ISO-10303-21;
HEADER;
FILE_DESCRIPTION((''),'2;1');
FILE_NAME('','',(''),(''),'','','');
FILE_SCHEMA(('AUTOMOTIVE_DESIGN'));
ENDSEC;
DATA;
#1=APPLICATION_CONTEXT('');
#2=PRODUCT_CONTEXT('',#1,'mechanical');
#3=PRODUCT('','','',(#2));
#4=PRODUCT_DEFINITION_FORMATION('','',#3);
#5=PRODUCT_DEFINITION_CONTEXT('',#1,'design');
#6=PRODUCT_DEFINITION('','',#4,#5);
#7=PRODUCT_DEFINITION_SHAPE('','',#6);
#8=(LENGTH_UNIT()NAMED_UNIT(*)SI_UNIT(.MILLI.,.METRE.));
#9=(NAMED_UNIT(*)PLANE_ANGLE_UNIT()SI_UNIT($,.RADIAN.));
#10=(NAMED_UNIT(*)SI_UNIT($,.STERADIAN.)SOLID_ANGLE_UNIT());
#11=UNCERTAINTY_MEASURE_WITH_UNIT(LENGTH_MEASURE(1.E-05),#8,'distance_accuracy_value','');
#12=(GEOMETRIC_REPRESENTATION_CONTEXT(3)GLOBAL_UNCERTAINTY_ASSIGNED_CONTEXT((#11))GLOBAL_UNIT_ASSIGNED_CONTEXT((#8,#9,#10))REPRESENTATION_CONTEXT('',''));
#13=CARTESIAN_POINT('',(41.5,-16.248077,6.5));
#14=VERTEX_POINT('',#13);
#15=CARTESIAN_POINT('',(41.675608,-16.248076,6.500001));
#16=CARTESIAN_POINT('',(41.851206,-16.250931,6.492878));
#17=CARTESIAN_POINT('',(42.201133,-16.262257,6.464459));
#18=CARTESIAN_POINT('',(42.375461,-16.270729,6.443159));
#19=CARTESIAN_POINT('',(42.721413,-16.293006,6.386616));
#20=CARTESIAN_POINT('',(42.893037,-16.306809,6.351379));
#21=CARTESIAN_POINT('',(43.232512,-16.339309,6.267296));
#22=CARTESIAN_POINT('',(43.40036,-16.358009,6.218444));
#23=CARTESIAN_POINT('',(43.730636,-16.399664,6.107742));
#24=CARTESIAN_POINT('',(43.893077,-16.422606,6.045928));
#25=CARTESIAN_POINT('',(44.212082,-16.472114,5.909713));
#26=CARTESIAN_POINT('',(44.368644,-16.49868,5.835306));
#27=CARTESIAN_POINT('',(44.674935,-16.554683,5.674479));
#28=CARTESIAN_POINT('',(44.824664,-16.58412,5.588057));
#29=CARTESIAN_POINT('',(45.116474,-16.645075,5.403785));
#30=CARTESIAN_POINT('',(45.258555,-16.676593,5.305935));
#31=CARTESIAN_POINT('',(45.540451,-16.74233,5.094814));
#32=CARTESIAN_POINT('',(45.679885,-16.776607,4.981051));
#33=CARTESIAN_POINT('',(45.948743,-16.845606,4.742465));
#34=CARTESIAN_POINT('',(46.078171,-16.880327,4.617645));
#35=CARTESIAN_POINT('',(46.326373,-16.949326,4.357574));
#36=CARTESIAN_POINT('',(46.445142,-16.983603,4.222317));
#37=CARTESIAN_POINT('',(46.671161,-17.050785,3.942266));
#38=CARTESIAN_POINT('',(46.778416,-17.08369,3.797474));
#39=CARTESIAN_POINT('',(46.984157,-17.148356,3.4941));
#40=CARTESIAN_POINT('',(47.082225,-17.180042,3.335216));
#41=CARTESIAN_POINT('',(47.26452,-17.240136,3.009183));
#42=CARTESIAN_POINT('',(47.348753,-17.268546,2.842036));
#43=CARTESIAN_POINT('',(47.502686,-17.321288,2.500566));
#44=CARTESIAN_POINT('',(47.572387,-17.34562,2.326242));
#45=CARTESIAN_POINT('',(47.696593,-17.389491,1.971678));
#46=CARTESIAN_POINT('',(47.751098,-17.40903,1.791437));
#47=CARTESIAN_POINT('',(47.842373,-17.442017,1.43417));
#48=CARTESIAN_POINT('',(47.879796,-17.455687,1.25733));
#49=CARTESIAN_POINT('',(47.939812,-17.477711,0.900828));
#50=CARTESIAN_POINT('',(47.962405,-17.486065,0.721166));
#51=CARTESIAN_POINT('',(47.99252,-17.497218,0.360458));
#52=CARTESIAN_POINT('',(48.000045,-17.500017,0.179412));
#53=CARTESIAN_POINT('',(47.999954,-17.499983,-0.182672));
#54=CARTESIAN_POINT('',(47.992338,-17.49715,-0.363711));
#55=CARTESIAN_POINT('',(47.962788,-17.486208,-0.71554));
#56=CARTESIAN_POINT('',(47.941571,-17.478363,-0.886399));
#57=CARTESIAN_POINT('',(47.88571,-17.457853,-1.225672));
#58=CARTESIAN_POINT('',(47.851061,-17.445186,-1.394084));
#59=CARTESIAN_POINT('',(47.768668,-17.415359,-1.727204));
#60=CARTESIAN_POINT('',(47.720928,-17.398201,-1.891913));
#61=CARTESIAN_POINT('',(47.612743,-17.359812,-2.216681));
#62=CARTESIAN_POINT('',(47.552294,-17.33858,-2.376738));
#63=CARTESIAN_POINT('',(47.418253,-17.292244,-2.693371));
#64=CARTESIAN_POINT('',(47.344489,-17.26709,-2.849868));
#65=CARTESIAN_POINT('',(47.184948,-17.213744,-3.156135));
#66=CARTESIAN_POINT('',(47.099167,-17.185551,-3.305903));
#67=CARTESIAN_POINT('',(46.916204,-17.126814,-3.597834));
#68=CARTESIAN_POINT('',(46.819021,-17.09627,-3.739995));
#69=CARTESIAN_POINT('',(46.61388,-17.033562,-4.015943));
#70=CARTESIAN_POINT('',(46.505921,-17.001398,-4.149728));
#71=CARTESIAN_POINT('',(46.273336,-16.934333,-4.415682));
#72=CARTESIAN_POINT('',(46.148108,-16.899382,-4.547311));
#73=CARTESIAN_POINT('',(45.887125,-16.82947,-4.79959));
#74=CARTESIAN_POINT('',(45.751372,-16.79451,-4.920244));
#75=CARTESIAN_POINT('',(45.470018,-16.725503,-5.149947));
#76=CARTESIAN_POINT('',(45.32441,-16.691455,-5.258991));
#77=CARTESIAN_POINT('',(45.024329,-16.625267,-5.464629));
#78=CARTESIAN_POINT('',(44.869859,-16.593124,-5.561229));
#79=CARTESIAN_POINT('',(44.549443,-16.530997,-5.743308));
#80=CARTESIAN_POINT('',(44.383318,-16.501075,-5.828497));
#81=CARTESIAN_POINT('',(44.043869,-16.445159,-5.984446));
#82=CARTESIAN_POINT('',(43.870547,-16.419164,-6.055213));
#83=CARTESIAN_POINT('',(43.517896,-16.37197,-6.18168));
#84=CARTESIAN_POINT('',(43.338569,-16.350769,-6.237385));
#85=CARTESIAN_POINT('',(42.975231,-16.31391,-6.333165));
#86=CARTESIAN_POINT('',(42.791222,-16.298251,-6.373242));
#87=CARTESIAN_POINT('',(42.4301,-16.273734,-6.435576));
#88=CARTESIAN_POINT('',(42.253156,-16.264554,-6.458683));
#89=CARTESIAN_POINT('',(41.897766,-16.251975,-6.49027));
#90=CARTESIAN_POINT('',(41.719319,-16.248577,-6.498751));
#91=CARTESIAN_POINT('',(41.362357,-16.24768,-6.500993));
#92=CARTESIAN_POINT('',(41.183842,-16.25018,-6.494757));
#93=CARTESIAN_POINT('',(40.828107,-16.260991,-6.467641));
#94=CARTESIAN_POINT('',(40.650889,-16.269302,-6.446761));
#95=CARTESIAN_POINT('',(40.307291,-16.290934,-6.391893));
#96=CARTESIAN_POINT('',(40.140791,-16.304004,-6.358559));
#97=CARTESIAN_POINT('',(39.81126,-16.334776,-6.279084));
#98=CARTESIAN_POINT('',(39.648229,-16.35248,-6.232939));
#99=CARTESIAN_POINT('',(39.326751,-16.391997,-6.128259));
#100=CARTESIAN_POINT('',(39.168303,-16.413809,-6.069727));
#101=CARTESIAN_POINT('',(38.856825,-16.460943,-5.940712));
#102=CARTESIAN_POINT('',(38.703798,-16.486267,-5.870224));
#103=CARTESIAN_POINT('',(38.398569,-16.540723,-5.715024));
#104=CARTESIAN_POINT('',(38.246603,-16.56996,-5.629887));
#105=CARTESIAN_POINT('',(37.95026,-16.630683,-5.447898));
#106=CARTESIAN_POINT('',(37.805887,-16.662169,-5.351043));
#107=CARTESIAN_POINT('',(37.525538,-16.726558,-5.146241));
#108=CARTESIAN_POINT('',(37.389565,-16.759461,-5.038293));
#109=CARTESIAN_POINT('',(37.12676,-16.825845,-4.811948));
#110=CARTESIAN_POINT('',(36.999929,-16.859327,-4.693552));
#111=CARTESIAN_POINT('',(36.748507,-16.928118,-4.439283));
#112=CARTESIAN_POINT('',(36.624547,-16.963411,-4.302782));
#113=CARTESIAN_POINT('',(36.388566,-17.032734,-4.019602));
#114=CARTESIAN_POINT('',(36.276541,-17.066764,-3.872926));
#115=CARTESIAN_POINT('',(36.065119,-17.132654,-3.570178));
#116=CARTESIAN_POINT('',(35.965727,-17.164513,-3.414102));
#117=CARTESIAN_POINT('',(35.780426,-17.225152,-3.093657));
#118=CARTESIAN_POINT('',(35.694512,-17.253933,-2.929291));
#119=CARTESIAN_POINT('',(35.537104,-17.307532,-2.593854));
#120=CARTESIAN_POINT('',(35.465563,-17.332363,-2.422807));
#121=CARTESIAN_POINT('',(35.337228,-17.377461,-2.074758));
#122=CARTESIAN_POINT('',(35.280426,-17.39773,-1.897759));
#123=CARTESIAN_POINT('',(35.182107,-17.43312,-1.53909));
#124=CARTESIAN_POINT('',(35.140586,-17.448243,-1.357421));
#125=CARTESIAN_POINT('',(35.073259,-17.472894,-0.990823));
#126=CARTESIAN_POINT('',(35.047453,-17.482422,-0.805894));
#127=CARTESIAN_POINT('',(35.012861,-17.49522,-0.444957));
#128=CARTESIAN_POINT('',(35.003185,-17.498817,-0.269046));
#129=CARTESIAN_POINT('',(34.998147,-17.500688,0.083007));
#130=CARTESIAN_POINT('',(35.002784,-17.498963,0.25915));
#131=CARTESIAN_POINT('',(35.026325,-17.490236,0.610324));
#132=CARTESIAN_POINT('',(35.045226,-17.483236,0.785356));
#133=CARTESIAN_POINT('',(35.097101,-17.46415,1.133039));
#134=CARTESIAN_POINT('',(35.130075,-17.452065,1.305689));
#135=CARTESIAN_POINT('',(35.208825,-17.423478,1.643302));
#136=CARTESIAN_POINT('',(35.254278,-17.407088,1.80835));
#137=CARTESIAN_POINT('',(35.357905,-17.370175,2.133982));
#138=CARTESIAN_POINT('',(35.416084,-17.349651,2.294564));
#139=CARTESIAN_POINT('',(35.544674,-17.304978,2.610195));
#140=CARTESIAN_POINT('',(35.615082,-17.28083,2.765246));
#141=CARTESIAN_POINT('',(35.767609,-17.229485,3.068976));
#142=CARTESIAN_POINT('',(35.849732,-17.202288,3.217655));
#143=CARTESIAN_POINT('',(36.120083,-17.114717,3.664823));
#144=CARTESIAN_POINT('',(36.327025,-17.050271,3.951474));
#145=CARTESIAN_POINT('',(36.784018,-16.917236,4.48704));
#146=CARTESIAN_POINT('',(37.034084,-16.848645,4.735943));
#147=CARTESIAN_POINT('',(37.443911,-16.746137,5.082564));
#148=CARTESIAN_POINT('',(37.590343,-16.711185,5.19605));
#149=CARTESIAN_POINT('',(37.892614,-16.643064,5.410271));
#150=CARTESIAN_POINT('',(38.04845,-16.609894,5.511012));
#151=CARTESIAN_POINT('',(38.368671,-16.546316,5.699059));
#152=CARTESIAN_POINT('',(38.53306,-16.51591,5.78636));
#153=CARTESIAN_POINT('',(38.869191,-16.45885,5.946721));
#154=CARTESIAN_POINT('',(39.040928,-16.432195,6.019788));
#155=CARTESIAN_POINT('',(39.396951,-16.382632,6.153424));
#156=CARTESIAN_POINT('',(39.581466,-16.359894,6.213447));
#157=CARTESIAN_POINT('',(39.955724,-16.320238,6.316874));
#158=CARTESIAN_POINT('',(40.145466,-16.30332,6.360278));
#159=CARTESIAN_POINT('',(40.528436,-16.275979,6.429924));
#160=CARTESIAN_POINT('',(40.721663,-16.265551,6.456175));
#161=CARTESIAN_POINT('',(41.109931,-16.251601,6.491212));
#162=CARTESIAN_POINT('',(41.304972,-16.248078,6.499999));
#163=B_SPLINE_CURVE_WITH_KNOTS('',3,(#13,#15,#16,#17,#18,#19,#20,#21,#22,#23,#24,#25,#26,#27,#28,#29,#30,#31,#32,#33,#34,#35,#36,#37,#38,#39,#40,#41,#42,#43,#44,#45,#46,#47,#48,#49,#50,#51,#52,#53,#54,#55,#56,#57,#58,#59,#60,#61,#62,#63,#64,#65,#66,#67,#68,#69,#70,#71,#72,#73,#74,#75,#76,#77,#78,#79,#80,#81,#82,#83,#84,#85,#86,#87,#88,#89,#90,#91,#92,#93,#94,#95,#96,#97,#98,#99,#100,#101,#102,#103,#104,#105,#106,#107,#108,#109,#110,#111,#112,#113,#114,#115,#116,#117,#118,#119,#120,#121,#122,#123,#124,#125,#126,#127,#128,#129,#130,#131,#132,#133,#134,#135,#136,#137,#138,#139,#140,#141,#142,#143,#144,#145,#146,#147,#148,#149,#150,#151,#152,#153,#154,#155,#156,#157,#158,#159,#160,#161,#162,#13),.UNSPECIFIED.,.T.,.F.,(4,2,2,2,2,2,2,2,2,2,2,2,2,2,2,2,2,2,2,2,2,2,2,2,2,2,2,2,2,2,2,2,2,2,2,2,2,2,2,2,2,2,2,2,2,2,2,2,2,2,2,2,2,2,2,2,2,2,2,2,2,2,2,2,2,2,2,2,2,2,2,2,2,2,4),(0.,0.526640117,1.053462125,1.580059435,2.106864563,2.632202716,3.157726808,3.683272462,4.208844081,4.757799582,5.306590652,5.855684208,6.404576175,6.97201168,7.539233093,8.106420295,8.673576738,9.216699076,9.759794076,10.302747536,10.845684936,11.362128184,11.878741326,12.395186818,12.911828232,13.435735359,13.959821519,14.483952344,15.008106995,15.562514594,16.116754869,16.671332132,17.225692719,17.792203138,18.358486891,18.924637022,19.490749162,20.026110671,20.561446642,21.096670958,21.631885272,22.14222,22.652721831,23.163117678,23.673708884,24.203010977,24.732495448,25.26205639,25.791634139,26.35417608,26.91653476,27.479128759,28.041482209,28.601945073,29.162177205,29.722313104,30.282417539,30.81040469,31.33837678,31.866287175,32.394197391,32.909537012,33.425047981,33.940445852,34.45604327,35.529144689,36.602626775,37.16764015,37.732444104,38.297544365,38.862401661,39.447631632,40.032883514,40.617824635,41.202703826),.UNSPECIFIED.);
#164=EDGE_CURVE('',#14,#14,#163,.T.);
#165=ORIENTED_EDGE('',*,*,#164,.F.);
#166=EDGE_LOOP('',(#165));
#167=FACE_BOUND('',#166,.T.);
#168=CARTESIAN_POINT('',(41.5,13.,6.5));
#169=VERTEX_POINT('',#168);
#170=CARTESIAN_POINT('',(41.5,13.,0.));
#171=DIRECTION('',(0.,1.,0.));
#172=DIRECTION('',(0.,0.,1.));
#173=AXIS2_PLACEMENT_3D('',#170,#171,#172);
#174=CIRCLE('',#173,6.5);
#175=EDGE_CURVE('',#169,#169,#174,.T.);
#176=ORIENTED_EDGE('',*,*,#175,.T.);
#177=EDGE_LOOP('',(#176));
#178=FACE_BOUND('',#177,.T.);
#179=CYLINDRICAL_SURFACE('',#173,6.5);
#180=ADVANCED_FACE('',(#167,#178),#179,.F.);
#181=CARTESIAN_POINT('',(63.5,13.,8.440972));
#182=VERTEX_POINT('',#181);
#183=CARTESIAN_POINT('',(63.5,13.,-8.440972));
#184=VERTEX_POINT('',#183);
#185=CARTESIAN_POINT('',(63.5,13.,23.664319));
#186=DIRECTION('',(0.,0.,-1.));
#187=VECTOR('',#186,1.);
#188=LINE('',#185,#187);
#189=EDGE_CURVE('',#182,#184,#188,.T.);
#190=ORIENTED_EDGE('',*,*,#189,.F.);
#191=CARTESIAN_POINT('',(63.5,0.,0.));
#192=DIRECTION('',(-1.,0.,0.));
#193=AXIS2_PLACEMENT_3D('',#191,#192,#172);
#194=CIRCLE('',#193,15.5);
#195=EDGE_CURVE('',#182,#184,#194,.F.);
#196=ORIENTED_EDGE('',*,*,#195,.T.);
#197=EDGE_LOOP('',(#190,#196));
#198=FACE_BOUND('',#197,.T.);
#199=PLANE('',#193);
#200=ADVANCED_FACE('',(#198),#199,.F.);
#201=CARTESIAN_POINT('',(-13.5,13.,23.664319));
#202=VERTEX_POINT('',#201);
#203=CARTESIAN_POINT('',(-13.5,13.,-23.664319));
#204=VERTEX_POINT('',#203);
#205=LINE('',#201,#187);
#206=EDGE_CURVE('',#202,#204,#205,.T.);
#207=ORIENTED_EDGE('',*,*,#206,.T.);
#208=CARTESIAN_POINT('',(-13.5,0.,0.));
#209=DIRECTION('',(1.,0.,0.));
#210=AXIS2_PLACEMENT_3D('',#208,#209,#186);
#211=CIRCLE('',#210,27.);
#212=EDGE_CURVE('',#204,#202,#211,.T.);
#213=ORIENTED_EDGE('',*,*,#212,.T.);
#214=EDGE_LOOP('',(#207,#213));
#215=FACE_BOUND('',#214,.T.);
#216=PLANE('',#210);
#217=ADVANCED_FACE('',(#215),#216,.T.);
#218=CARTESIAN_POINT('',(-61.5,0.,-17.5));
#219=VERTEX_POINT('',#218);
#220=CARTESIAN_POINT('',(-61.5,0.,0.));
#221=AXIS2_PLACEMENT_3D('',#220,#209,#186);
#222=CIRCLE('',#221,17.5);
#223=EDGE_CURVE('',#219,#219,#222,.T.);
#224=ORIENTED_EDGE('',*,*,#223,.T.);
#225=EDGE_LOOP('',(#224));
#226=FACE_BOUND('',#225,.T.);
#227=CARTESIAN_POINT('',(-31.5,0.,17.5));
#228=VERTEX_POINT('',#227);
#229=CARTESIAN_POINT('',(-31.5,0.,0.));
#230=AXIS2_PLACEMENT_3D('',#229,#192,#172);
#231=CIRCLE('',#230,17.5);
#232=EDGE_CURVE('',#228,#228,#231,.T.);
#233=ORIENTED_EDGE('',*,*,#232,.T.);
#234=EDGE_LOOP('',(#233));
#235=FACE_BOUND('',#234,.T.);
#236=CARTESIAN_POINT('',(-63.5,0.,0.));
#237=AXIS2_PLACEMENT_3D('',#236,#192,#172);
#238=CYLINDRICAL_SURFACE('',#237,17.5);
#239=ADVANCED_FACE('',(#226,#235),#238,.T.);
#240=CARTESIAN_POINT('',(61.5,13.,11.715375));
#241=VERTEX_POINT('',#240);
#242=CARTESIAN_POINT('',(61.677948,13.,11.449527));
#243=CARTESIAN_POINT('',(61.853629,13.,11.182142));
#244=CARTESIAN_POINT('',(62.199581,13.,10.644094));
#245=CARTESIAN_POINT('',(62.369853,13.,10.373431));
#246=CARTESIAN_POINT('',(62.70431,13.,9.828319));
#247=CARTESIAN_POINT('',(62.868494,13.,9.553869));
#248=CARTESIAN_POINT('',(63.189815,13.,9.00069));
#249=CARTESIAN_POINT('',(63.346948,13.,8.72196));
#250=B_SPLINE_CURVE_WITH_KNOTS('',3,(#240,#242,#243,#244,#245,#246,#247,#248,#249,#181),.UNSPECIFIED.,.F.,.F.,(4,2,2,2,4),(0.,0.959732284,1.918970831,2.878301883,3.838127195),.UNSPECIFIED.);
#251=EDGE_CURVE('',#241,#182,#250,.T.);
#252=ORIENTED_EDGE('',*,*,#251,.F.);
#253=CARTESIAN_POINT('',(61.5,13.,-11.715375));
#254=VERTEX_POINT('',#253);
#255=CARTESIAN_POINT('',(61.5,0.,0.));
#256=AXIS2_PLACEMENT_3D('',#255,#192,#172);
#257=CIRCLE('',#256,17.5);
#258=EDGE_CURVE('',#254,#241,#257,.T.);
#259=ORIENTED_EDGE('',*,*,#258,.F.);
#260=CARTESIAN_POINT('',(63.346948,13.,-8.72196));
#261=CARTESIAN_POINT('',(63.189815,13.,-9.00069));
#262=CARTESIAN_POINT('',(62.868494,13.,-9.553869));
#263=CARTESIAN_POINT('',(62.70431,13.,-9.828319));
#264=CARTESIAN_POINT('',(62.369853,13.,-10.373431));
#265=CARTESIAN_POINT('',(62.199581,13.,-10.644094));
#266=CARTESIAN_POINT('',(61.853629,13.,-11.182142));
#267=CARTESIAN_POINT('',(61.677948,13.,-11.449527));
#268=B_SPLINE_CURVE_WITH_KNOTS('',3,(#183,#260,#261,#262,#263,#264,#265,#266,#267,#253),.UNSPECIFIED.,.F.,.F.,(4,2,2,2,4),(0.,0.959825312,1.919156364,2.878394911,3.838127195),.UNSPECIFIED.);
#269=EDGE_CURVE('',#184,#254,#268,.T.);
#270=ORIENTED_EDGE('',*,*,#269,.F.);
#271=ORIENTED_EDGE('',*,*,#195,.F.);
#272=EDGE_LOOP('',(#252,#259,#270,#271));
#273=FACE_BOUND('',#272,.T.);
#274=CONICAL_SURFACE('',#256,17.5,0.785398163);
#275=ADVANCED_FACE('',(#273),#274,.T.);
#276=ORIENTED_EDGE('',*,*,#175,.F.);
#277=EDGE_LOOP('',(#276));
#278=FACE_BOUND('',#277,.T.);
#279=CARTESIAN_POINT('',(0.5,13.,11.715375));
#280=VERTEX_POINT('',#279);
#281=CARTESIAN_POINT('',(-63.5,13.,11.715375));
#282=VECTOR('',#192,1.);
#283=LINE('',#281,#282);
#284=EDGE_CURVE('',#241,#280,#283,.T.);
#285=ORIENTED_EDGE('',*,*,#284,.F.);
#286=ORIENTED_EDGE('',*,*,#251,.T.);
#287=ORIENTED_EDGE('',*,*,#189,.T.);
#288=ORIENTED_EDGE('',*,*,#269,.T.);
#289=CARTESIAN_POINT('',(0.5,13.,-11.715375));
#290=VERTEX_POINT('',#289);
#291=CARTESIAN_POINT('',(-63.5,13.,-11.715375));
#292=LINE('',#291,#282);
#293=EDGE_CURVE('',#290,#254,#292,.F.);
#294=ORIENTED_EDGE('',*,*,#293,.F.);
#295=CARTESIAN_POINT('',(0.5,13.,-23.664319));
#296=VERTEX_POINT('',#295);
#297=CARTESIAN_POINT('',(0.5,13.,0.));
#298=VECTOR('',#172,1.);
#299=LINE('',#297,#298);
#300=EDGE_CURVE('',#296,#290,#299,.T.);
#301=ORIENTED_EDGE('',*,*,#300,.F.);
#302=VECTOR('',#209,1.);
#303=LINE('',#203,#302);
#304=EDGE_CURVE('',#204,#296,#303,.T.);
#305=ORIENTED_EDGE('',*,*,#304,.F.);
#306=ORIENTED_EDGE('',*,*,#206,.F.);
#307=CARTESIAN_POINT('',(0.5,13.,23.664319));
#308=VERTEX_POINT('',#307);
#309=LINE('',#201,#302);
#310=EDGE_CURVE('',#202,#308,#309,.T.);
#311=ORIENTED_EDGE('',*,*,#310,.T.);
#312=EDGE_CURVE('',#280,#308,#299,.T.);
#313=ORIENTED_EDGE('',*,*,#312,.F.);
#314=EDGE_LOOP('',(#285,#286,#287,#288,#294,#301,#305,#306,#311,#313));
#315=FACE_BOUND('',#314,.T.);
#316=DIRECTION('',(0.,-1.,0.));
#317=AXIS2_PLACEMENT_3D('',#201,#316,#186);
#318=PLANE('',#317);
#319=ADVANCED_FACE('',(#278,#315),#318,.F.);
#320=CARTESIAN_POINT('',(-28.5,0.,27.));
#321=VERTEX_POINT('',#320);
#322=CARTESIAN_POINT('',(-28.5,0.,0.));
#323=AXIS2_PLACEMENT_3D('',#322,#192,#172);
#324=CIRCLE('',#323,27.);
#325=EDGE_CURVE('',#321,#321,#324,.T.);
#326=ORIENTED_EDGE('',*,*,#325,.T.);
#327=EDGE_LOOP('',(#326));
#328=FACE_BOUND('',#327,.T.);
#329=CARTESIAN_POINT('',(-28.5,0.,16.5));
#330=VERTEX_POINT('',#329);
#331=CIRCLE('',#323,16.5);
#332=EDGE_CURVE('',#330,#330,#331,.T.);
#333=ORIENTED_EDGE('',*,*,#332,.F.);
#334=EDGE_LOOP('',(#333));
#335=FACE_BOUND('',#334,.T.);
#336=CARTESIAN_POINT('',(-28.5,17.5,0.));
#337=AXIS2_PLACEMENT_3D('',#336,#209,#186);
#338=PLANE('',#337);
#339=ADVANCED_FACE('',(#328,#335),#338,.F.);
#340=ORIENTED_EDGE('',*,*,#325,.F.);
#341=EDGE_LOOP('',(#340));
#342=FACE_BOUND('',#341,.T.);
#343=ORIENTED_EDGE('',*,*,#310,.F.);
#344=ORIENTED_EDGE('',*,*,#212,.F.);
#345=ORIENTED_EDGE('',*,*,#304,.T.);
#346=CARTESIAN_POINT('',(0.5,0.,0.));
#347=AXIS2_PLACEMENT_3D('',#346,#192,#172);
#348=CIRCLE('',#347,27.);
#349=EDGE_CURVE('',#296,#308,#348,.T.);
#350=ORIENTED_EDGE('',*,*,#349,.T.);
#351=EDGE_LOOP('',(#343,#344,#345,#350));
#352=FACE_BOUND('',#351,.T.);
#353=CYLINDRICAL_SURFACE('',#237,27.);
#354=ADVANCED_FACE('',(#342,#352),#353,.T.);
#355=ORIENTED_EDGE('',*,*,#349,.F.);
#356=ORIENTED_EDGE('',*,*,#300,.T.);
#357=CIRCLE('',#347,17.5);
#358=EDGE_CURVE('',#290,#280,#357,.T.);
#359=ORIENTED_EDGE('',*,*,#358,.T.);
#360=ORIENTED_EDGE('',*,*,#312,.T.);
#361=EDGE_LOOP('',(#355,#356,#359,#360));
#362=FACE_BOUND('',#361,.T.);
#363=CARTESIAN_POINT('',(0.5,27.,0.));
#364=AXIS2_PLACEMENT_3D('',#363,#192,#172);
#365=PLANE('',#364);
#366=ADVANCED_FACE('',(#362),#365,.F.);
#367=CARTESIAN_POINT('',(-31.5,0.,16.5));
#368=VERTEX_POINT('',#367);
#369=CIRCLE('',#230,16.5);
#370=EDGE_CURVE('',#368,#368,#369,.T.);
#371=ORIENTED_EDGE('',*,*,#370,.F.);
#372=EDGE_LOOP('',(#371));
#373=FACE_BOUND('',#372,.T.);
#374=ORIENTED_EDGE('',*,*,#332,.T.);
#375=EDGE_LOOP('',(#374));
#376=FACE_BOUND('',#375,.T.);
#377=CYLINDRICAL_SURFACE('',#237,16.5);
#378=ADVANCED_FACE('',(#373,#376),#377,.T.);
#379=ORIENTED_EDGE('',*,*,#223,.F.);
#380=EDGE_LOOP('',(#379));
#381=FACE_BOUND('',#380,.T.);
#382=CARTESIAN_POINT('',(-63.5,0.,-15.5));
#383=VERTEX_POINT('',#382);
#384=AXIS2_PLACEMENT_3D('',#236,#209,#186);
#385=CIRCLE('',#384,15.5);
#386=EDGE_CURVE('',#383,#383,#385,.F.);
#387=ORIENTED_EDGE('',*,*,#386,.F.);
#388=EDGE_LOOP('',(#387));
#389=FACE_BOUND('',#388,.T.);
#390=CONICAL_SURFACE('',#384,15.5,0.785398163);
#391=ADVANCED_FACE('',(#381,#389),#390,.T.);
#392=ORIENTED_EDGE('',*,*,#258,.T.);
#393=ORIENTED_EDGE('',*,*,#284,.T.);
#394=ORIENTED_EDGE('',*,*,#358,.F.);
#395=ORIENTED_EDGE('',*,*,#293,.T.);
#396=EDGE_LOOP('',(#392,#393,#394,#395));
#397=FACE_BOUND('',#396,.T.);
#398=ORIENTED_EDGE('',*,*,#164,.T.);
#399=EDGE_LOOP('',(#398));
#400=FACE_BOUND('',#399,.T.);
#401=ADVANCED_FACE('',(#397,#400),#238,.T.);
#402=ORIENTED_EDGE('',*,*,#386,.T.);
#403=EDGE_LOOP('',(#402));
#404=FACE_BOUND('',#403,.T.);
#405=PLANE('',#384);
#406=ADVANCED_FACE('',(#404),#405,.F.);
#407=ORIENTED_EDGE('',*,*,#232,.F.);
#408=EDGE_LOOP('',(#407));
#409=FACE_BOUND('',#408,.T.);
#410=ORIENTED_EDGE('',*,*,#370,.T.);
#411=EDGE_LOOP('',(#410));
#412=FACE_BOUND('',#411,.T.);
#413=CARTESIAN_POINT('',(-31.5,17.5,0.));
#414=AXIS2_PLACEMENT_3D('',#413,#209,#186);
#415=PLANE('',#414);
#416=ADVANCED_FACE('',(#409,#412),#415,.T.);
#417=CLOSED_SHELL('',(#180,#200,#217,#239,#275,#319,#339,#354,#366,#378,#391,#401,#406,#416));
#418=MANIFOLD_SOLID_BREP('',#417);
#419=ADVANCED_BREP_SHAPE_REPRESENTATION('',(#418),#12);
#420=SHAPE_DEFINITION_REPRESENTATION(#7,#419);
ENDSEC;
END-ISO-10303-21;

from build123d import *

# Parameters (mm, degrees)
SKETCH4_W                      = 3
SKETCH4_H                      = 1
SKETCH5_W                      = 47.328638264
SKETCH5_H                      = 14
CUT_EXTRUDE1_DEPTH             = 77
F_1_2_0_51181102_DOWEL_HOLE1_D = 12.999999908
CHAMFER1_SIZE                  = 2


with BuildPart() as part:
    # Sketch2 → Revolve1 (revolve)
    with BuildSketch(Plane.XY, mode=Mode.PRIVATE) as revolve1_sk:
        Polygon((-63.5, 0), (-63.5, 17.5), (-28.5, 17.5), (-28.5, 27), (0.5, 27), (0.5, 17.5), (63.5, 17.5), (63.5, 0), align=None)
    revolve(revolve1_sk.sketch.rotate(Axis((-63.5, 0, 0), (1, 0, 0)), 90), axis=Axis((-63.5, 0, 0), (1, 0, 0)))

    # Sketch4 → Cut-Revolve1 (revolve, cut)
    with BuildSketch(Plane.XY, mode=Mode.PRIVATE) as cut_revolve1_sk:
        with Locations((-30, 17)):
            Rectangle(SKETCH4_W, SKETCH4_H)
    revolve(cut_revolve1_sk.sketch.rotate(Axis((-63.5, 0, 0), (1, 0, 0)), 90), axis=Axis((-63.5, 0, 0), (1, 0, 0)), mode=Mode.SUBTRACT)

    # Sketch5 → Cut-Extrude1 (cut)
    with BuildSketch(Plane(origin=(63.5, 0, 0), x_dir=(0, 0, -1), z_dir=(1, 0, 0))):
        with Locations((0, 20)):
            Rectangle(SKETCH5_W, SKETCH5_H)
    extrude(amount=-CUT_EXTRUDE1_DEPTH, mode=Mode.SUBTRACT)

    # 1/2 (0.51181102) Dowel Hole1 (through all)
    with Locations(Plane(origin=(0, 13, 0), x_dir=(1, 0, 0), z_dir=(0, 1, 0))):
        with Locations((41.5, 0)):
            Hole(F_1_2_0_51181102_DOWEL_HOLE1_D / 2)

    # Chamfer1
    chamfer1_edges = [part.edges().sort_by_distance(p)[0] for p in [
        (63.5, -17.5, 0),
        (-63.5, 0, -17.5),
    ]]
    chamfer(chamfer1_edges, length=CHAMFER1_SIZE)


solid = part.part
